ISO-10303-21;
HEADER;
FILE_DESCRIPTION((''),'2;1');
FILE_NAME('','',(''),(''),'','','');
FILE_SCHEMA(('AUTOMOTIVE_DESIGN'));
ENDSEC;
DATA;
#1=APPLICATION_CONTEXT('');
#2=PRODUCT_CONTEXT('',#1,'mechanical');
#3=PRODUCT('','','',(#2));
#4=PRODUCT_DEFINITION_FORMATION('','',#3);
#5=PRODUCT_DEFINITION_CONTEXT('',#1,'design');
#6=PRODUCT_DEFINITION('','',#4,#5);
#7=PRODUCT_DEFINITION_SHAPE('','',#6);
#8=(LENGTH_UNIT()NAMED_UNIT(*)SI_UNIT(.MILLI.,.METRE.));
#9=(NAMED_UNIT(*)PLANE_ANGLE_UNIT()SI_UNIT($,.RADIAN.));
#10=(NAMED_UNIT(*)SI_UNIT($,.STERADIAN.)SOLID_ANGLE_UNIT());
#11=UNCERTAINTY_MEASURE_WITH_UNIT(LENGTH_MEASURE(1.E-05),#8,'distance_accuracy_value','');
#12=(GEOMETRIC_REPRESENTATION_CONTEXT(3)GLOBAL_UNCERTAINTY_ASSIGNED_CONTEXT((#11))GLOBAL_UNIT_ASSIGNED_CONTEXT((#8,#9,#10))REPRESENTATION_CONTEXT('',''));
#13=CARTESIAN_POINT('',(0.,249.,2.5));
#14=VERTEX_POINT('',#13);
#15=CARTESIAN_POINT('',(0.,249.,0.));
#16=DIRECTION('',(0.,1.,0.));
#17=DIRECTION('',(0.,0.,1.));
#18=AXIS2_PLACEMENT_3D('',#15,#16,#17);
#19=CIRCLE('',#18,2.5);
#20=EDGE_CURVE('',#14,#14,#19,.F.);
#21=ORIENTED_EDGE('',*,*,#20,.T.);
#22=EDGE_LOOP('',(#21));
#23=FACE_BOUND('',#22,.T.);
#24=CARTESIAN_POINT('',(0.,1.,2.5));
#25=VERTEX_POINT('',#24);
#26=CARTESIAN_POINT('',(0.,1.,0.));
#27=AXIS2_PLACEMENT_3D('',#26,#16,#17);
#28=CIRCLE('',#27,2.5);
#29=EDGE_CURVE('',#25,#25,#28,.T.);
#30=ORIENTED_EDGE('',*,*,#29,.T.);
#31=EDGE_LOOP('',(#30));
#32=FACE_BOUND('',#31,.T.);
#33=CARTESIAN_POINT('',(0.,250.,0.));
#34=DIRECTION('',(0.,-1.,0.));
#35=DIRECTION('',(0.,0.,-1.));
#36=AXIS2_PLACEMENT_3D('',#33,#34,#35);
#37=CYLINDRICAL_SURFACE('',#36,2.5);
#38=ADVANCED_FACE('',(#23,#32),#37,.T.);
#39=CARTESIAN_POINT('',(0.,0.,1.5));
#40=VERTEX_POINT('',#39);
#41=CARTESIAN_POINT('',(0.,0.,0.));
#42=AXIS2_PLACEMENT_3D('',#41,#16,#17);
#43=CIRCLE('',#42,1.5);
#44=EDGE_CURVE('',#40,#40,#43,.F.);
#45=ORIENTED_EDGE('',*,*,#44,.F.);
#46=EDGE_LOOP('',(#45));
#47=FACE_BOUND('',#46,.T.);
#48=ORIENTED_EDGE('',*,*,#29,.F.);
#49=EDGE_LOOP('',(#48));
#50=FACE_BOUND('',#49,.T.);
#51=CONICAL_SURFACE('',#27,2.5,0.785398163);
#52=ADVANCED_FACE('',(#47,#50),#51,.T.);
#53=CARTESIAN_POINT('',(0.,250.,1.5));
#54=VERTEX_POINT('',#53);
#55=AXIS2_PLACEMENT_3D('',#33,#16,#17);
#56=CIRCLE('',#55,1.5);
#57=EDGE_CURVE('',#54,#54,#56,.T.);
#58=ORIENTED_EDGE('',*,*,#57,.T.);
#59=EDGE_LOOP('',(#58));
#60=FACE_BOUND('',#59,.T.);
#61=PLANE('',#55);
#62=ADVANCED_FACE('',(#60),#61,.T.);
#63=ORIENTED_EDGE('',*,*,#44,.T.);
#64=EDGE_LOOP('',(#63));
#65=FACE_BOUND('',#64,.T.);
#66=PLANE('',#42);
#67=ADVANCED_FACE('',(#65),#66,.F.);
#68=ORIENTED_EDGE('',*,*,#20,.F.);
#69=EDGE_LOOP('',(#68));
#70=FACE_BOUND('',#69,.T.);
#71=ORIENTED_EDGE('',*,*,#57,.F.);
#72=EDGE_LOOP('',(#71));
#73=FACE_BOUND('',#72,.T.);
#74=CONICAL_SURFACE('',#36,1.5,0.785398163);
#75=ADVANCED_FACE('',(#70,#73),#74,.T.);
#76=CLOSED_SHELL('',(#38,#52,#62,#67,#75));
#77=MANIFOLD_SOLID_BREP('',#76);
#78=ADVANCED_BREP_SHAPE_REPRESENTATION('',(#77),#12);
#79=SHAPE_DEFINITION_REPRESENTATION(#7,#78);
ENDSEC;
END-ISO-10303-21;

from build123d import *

# Parameters (mm, degrees)
ESQUISSE1_R        = 2.5
BOSS_EXTRU_1_DEPTH = 250
CHANFREIN1_SIZE    = 1


with BuildPart() as part:
    # Esquisse1 → Boss.-Extru.1 (new body)
    with BuildSketch(Plane(origin=(0, 0, 0), x_dir=(1, 0, 0), z_dir=(0, 1, 0))):
        Circle(ESQUISSE1_R)
    extrude(amount=BOSS_EXTRU_1_DEPTH)

    # Chanfrein1
    chanfrein1_edges = [part.edges().sort_by_distance(p)[0] for p in [
        (-2.5, 0, 0),
        (-2.5, 250, 0),
    ]]
    chamfer(chanfrein1_edges, length=CHANFREIN1_SIZE)


solid = part.part
